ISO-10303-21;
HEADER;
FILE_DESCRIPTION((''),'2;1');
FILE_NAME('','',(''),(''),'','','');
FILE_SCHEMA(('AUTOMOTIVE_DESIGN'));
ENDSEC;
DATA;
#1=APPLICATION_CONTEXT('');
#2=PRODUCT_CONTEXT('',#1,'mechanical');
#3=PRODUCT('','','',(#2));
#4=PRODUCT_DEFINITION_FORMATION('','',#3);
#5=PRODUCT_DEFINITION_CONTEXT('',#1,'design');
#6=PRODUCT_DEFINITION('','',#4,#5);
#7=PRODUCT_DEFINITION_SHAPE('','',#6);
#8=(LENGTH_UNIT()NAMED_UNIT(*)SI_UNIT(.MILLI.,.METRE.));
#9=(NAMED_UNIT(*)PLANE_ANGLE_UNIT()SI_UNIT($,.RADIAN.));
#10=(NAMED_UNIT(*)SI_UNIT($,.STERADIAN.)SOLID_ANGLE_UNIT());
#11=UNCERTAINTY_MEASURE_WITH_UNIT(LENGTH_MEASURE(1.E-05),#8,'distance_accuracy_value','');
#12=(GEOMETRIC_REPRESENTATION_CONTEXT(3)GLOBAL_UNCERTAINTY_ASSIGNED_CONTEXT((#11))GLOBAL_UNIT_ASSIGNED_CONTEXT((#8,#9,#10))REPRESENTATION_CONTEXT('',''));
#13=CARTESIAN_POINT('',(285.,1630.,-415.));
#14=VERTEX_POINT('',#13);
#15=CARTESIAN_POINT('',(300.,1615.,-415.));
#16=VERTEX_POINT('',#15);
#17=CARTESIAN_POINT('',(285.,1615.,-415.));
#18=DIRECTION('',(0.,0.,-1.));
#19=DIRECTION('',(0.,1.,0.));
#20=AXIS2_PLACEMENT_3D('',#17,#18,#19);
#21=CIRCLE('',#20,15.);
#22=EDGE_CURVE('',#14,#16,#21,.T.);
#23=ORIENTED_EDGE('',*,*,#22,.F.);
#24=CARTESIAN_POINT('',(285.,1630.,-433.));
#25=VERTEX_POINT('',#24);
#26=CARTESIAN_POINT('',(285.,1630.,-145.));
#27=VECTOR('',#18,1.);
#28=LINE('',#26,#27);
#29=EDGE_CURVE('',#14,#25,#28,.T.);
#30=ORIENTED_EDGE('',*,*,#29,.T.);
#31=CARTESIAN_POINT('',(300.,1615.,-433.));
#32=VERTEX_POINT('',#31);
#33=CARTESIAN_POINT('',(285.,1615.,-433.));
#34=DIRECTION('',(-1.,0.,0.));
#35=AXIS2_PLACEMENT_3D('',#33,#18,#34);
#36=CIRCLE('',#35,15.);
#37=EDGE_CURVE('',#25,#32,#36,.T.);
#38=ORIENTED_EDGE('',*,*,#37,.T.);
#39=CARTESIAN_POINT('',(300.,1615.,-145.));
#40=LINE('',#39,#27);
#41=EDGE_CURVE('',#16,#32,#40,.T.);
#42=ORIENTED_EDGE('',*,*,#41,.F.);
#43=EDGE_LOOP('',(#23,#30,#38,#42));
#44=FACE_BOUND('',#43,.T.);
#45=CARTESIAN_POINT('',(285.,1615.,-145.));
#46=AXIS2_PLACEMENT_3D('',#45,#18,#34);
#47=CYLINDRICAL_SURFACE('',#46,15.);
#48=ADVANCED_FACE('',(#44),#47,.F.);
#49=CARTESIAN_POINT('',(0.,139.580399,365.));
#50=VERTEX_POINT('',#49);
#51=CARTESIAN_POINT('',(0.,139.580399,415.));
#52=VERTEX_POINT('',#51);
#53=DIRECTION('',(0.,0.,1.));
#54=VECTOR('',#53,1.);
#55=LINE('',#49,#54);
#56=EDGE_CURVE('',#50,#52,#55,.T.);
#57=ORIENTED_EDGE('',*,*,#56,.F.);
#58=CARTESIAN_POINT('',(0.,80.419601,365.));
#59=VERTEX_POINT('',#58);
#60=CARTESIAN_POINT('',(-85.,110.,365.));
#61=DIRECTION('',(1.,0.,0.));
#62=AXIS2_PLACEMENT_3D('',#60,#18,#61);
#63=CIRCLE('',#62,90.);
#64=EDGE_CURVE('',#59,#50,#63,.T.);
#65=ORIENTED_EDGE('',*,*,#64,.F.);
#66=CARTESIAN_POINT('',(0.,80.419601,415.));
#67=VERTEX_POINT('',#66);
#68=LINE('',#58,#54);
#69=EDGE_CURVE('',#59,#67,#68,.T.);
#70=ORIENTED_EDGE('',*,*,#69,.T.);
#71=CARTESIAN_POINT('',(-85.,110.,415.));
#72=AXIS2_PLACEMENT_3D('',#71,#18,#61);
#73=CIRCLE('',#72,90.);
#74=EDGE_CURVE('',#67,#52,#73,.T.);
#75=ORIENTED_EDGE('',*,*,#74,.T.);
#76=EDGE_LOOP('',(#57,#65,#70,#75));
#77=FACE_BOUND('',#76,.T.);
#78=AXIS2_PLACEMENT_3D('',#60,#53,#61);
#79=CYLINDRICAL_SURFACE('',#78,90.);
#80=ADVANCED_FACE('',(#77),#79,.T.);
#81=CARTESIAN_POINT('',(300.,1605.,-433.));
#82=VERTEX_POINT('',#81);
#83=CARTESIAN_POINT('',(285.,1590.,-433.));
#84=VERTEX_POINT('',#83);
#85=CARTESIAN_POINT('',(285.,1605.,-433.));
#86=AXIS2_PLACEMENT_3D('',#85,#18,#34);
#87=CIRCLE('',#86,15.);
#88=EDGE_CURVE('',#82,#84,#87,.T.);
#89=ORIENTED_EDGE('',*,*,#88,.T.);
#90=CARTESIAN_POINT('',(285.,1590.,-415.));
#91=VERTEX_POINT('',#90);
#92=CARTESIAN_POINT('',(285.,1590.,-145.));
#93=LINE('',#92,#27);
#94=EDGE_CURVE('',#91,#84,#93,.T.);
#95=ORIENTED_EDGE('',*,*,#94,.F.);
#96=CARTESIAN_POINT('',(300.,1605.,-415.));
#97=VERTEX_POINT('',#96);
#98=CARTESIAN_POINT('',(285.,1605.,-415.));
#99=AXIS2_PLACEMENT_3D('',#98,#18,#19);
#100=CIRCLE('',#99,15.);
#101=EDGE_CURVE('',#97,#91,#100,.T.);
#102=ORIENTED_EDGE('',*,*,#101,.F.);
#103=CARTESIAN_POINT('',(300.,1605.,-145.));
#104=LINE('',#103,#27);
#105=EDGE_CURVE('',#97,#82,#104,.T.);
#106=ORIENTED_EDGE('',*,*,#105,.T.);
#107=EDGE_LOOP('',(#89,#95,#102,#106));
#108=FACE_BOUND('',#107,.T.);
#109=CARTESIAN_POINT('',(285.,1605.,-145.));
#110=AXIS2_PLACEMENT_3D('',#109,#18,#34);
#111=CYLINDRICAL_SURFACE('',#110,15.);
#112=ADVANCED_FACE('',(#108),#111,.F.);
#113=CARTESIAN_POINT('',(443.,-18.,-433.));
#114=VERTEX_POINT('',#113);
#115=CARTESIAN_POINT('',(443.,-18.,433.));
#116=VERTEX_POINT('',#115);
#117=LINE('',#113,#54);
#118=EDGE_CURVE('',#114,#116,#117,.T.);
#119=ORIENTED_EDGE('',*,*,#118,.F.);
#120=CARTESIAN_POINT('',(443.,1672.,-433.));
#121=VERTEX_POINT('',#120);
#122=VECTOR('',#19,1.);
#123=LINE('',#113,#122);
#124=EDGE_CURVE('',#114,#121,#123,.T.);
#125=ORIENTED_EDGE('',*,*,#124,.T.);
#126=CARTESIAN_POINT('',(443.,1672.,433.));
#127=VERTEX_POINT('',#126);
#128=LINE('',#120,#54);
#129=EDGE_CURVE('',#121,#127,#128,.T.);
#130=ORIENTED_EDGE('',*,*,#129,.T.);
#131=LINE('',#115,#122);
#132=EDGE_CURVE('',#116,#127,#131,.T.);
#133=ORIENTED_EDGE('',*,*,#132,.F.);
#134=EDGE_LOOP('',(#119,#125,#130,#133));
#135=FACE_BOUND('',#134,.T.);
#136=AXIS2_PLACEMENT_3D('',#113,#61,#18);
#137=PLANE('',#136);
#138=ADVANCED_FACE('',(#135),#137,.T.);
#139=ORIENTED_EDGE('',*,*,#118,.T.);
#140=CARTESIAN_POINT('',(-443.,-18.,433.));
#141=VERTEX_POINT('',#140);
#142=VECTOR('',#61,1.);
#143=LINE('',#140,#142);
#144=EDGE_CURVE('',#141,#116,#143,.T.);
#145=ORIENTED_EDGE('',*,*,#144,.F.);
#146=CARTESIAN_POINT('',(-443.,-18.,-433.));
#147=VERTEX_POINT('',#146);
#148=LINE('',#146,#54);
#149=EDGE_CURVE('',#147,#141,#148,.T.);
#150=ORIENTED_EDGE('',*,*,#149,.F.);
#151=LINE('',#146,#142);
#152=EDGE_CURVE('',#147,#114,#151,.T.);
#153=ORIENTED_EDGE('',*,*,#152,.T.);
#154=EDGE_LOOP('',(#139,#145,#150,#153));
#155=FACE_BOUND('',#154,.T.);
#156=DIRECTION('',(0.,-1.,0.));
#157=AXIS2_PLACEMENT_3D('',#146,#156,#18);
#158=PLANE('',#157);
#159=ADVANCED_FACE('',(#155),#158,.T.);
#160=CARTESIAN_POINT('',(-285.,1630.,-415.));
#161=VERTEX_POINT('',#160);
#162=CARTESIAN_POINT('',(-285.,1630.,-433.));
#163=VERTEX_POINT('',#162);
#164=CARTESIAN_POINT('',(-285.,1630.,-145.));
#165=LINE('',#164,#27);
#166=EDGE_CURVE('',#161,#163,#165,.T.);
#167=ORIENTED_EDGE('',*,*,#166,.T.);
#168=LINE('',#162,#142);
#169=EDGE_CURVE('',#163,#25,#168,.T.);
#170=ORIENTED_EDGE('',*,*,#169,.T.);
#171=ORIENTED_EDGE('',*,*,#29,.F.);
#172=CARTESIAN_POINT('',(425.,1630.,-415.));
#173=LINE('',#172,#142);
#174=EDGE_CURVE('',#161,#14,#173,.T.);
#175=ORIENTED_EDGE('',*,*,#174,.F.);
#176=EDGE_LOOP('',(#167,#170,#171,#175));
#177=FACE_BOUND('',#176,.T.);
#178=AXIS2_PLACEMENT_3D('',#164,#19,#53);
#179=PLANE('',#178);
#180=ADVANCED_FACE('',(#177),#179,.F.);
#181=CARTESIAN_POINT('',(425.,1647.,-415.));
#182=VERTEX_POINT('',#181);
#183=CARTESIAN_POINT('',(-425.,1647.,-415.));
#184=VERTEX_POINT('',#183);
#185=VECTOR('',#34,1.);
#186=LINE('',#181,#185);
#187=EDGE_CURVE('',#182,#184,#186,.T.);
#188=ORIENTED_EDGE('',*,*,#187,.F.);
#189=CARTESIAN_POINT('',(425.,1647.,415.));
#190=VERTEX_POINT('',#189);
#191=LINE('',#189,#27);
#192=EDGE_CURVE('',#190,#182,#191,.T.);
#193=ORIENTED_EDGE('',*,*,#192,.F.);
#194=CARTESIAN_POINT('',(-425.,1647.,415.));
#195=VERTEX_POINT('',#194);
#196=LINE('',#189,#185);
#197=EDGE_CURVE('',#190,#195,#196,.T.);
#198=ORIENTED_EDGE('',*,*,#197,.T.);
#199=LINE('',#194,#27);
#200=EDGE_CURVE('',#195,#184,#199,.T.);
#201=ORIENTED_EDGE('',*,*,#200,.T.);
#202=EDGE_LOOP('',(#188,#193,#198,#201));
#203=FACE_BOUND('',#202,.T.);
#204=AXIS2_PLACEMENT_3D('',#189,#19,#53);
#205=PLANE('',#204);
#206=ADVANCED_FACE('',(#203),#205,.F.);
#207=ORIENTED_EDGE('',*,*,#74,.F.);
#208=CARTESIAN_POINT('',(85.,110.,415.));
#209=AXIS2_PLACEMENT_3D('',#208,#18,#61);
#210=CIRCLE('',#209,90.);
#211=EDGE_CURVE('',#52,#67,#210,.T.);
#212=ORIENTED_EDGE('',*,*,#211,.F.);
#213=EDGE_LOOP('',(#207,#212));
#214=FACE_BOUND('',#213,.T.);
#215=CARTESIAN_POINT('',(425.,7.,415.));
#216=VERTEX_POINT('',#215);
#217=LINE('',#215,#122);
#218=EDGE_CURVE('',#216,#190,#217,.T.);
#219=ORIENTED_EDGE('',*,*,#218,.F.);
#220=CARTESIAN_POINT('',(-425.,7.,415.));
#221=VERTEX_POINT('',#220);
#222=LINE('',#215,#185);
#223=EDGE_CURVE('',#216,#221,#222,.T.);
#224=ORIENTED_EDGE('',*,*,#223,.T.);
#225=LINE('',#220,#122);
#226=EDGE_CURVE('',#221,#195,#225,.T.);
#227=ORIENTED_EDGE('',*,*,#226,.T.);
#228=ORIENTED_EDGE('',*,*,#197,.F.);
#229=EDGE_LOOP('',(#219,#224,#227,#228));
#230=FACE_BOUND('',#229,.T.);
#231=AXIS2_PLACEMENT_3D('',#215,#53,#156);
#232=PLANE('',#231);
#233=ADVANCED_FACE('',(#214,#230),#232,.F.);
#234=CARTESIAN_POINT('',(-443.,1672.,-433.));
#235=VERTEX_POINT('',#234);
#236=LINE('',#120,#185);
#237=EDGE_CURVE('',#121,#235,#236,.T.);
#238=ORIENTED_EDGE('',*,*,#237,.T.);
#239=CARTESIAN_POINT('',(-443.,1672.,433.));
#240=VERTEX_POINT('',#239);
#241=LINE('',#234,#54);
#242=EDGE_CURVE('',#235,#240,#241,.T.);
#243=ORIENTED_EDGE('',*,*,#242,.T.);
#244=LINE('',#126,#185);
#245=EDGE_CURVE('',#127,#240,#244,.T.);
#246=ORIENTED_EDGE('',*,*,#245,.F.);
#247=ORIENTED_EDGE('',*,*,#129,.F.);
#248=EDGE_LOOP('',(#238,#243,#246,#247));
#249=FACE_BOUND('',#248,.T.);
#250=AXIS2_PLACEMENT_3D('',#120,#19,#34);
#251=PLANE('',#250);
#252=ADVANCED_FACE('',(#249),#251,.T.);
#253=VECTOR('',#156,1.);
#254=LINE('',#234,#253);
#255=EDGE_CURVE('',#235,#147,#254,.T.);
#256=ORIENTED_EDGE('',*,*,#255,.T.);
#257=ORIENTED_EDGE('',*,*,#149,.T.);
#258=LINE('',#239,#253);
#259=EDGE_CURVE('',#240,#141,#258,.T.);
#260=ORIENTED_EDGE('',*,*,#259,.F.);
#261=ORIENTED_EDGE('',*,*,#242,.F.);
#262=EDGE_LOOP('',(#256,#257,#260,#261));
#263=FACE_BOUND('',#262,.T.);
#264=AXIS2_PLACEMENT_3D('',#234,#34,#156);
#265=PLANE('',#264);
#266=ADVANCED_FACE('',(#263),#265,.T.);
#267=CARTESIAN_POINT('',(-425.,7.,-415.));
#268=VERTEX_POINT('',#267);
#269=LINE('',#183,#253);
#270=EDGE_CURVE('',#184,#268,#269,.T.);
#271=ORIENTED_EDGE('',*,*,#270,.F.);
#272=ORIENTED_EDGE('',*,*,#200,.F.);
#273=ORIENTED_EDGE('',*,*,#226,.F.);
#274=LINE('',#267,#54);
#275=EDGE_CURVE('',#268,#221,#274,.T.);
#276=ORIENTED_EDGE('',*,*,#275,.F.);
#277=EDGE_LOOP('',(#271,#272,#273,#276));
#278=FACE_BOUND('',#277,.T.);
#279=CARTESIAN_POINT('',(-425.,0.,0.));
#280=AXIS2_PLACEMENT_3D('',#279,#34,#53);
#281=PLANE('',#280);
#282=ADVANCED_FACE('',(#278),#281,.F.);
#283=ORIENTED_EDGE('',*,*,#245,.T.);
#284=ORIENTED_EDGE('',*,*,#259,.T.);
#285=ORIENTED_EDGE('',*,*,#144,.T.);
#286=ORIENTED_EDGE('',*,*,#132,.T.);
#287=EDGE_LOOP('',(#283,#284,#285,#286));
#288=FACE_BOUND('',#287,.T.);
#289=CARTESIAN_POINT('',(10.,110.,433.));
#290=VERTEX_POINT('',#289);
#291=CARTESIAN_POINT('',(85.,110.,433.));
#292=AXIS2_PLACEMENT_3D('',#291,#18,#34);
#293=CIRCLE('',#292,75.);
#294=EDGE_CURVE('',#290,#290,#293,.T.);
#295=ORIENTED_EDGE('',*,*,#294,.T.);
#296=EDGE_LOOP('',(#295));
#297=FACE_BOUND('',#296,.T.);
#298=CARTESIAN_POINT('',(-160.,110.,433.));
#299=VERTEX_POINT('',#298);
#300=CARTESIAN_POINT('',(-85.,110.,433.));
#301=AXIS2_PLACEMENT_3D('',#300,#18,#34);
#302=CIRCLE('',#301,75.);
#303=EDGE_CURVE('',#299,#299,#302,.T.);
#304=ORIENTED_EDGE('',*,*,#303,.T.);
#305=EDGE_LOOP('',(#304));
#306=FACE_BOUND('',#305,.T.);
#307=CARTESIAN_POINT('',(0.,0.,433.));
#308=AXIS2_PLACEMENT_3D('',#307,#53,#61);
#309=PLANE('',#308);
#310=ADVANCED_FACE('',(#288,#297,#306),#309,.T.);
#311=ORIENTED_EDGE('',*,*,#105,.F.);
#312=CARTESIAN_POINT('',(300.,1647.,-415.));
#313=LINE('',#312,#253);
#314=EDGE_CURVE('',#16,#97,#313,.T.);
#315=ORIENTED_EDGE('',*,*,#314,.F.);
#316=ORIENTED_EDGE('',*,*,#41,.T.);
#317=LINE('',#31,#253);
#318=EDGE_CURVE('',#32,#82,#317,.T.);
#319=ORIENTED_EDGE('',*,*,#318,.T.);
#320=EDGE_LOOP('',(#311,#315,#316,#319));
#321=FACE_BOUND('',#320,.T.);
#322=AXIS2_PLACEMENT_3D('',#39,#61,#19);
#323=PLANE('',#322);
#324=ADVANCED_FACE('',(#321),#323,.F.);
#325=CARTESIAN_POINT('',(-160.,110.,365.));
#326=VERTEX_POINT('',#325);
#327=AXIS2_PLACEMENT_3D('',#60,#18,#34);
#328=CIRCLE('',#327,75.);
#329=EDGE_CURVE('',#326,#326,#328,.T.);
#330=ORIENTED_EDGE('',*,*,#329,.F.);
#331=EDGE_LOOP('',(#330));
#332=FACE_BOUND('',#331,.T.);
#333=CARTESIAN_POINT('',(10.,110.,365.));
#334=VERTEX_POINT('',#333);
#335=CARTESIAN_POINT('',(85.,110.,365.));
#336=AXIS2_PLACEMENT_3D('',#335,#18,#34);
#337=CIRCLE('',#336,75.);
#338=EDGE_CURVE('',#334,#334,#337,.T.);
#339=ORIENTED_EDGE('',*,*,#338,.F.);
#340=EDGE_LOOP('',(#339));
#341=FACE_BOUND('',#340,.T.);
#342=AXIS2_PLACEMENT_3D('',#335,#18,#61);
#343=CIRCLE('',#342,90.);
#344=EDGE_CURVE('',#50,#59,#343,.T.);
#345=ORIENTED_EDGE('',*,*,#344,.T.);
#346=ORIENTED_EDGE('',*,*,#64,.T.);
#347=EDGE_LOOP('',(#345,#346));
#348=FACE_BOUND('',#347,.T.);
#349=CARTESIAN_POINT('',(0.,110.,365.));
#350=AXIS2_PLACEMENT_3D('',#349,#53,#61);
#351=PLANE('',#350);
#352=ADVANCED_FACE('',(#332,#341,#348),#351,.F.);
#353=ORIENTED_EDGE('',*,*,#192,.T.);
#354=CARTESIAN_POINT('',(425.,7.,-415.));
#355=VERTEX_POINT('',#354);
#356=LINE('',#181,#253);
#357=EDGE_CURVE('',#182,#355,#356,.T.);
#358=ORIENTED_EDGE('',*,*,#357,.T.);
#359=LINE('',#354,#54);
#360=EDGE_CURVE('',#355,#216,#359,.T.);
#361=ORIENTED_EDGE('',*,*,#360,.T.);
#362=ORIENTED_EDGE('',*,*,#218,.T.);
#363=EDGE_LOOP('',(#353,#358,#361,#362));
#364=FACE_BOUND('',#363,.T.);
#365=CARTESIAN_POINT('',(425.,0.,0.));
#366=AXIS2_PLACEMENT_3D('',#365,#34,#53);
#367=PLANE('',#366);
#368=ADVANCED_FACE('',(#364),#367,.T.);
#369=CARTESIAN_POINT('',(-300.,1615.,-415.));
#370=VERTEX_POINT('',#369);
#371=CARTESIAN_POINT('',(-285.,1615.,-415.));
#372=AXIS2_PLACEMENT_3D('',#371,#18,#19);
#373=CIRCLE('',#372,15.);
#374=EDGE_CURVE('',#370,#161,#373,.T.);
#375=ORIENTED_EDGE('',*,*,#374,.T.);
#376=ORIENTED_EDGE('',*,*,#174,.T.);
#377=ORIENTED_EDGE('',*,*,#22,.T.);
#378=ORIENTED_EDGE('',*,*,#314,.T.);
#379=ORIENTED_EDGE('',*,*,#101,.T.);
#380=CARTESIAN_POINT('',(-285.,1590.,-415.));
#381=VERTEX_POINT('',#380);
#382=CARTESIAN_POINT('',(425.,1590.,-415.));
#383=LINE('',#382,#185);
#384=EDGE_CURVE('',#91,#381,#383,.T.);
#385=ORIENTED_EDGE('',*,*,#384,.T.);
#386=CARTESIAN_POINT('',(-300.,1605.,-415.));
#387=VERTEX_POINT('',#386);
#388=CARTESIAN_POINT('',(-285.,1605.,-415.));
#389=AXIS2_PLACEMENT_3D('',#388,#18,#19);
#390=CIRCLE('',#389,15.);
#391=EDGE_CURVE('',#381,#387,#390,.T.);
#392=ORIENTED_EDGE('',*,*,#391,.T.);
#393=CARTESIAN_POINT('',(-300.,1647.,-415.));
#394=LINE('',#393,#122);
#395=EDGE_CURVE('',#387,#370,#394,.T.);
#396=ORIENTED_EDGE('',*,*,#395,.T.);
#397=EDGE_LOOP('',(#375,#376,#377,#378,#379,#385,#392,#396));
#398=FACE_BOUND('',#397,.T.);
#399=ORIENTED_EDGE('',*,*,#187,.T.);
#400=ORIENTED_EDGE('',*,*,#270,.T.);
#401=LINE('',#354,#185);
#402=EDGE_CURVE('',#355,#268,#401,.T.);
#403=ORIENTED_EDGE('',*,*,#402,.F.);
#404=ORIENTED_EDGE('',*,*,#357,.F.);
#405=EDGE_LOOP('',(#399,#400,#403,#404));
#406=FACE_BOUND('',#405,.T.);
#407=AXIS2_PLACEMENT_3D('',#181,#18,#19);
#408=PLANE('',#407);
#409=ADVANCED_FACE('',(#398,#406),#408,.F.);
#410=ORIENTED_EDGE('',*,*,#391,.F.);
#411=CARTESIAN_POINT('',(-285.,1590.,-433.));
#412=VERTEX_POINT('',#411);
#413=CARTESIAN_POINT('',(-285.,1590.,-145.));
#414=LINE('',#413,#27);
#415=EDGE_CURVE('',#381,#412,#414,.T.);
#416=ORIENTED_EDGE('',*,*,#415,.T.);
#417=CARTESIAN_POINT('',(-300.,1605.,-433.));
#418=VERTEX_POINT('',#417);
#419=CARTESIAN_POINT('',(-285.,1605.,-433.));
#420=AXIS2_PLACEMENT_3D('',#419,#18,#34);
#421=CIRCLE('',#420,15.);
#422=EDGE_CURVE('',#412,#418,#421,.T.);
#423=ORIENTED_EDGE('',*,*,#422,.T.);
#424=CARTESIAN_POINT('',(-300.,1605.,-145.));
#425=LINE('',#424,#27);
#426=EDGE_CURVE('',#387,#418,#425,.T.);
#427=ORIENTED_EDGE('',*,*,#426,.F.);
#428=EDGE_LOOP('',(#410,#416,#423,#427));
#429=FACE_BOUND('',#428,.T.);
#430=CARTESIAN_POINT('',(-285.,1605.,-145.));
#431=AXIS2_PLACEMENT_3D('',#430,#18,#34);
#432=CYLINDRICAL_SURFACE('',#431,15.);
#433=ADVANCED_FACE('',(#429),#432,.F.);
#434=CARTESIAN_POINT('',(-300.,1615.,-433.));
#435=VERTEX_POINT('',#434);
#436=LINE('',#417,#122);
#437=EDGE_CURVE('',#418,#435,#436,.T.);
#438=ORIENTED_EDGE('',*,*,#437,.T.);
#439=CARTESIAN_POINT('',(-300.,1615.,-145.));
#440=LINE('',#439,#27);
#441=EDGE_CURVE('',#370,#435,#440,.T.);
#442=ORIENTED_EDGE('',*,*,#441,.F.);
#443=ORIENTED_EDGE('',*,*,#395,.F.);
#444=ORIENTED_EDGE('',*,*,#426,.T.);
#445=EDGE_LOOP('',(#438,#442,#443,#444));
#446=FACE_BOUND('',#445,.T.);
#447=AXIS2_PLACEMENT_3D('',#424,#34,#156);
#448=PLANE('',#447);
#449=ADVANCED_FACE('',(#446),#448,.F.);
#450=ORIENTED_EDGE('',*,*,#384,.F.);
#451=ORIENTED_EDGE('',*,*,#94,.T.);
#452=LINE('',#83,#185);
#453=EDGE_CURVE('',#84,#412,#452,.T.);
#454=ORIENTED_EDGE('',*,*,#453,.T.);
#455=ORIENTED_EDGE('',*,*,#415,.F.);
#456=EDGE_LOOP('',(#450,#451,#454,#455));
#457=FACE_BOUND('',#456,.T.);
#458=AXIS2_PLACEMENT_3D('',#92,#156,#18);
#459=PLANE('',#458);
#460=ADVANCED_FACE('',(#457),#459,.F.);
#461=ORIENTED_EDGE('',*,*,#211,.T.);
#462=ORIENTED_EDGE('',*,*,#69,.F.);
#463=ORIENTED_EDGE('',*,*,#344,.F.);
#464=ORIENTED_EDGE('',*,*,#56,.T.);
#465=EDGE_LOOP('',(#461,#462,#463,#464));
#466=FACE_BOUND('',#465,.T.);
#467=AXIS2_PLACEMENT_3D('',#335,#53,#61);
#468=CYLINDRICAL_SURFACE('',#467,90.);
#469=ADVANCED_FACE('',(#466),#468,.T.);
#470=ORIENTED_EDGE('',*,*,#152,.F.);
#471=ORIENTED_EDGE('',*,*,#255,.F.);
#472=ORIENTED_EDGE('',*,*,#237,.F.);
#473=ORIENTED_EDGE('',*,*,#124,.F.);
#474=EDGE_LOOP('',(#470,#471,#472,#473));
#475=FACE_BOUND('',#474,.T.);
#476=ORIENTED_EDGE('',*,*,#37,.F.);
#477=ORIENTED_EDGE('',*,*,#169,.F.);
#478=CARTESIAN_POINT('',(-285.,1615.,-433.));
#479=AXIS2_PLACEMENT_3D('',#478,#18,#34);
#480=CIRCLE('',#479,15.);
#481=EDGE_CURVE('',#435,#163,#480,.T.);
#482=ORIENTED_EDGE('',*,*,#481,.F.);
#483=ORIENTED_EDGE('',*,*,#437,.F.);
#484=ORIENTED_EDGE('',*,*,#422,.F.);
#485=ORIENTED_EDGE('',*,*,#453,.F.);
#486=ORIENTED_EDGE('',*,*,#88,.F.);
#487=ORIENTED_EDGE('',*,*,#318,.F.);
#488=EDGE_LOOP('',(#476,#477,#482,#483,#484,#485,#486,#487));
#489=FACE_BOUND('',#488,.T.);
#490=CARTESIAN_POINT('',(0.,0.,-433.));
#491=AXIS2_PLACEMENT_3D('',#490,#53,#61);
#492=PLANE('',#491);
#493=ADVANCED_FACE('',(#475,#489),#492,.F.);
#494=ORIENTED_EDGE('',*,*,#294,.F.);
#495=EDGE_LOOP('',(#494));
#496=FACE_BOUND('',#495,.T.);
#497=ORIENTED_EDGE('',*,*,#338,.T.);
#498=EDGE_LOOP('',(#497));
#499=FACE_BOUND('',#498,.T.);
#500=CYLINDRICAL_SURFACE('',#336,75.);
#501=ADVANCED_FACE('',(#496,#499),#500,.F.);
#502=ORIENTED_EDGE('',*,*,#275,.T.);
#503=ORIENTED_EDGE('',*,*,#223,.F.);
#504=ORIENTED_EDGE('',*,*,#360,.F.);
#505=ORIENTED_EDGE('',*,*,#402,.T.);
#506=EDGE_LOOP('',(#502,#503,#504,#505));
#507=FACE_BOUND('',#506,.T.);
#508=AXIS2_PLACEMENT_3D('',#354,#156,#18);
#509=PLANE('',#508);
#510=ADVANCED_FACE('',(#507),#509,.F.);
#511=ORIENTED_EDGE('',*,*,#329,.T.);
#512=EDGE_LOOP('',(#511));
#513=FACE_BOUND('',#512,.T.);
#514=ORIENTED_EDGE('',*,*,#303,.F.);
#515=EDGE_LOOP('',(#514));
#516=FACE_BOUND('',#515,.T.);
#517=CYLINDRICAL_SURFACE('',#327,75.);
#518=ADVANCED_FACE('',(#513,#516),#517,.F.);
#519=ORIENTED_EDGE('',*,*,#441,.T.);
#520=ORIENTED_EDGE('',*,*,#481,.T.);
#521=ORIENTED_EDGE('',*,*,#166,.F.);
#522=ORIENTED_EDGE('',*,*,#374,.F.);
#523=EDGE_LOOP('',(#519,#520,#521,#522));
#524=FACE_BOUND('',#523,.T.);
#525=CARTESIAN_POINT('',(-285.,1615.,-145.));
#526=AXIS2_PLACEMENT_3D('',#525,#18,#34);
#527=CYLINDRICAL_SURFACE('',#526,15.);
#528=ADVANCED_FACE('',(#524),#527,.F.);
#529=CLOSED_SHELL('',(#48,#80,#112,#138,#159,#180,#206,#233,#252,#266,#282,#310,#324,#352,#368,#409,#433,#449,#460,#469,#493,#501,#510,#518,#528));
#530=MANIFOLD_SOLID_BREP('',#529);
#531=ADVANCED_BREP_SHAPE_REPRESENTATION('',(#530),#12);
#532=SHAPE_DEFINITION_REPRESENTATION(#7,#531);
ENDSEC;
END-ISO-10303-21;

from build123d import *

# Parameters (mm, degrees)
SKETCH1_W           = 886
SKETCH1_H           = 1690
BOSS_EXTRUDE1_DEPTH = 866
SKETCH2_W           = 1640
SKETCH2_H           = 830
CUT_EXTRUDE1_DEPTH  = 850
CUT_EXTRUDE2_DEPTH  = 288
BOSS_EXTRUDE2_DEPTH = 50
HOLE1_D             = 150
HOLE1_DEPTH         = 68


with BuildPart() as part:
    # Sketch1 → Boss-Extrude1 (new body)
    with BuildSketch(Plane.XY.offset(433)):
        with Locations((0, 827)):
            Rectangle(SKETCH1_W, SKETCH1_H)
    extrude(amount=-BOSS_EXTRUDE1_DEPTH)

    # Sketch2 → Cut-Extrude1 (cut)
    with BuildSketch(Plane(origin=(-425, 0, 0), x_dir=(0, -1, 0), z_dir=(-1, 0, 0))):
        with Locations((-827, 0)):
            Rectangle(SKETCH2_W, SKETCH2_H)
    extrude(amount=-CUT_EXTRUDE1_DEPTH, mode=Mode.SUBTRACT)

    # Sketch3 → Cut-Extrude2 (cut)
    with BuildSketch(Plane(origin=(0, 0, -433), x_dir=(-1, 0, 0), z_dir=(0, 0, -1))):
        with BuildLine():
            Line((-300, 1615), (-300, 1605))
            ThreePointArc((-300, 1605), (-295.606601718, 1594.393398282), (-285, 1590))
            Line((-285, 1590), (285, 1590))
            ThreePointArc((285, 1590), (295.606601718, 1594.393398282), (300, 1605))
            Line((300, 1605), (300, 1615))
            ThreePointArc((300, 1615), (295.606601718, 1625.606601718), (285, 1630))
            Line((285, 1630), (-285, 1630))
            ThreePointArc((-285, 1630), (-295.606601718, 1625.606601718), (-300, 1615))
        make_face()
    extrude(amount=-CUT_EXTRUDE2_DEPTH, mode=Mode.SUBTRACT)

    # Sketch4 → Boss-Extrude2 (add)
    with BuildSketch(Plane(origin=(0, 0, 415), x_dir=(-1, 0, 0), z_dir=(0, 0, -1))):
        with BuildLine():
            ThreePointArc((0, 80.419601085), (-175, 110), (0, 139.580398915))
            ThreePointArc((0, 139.580398915), (175, 110), (0, 80.419601085))
        make_face()
    extrude(amount=BOSS_EXTRUDE2_DEPTH)

    # Hole1
    with Locations(Plane(origin=(0, 0, 365), x_dir=(-1, 0, 0), z_dir=(0, 0, -1))):
        with Locations((-85, 110), (85, 110)):
            Hole(HOLE1_D / 2, depth=HOLE1_DEPTH)


solid = part.part
